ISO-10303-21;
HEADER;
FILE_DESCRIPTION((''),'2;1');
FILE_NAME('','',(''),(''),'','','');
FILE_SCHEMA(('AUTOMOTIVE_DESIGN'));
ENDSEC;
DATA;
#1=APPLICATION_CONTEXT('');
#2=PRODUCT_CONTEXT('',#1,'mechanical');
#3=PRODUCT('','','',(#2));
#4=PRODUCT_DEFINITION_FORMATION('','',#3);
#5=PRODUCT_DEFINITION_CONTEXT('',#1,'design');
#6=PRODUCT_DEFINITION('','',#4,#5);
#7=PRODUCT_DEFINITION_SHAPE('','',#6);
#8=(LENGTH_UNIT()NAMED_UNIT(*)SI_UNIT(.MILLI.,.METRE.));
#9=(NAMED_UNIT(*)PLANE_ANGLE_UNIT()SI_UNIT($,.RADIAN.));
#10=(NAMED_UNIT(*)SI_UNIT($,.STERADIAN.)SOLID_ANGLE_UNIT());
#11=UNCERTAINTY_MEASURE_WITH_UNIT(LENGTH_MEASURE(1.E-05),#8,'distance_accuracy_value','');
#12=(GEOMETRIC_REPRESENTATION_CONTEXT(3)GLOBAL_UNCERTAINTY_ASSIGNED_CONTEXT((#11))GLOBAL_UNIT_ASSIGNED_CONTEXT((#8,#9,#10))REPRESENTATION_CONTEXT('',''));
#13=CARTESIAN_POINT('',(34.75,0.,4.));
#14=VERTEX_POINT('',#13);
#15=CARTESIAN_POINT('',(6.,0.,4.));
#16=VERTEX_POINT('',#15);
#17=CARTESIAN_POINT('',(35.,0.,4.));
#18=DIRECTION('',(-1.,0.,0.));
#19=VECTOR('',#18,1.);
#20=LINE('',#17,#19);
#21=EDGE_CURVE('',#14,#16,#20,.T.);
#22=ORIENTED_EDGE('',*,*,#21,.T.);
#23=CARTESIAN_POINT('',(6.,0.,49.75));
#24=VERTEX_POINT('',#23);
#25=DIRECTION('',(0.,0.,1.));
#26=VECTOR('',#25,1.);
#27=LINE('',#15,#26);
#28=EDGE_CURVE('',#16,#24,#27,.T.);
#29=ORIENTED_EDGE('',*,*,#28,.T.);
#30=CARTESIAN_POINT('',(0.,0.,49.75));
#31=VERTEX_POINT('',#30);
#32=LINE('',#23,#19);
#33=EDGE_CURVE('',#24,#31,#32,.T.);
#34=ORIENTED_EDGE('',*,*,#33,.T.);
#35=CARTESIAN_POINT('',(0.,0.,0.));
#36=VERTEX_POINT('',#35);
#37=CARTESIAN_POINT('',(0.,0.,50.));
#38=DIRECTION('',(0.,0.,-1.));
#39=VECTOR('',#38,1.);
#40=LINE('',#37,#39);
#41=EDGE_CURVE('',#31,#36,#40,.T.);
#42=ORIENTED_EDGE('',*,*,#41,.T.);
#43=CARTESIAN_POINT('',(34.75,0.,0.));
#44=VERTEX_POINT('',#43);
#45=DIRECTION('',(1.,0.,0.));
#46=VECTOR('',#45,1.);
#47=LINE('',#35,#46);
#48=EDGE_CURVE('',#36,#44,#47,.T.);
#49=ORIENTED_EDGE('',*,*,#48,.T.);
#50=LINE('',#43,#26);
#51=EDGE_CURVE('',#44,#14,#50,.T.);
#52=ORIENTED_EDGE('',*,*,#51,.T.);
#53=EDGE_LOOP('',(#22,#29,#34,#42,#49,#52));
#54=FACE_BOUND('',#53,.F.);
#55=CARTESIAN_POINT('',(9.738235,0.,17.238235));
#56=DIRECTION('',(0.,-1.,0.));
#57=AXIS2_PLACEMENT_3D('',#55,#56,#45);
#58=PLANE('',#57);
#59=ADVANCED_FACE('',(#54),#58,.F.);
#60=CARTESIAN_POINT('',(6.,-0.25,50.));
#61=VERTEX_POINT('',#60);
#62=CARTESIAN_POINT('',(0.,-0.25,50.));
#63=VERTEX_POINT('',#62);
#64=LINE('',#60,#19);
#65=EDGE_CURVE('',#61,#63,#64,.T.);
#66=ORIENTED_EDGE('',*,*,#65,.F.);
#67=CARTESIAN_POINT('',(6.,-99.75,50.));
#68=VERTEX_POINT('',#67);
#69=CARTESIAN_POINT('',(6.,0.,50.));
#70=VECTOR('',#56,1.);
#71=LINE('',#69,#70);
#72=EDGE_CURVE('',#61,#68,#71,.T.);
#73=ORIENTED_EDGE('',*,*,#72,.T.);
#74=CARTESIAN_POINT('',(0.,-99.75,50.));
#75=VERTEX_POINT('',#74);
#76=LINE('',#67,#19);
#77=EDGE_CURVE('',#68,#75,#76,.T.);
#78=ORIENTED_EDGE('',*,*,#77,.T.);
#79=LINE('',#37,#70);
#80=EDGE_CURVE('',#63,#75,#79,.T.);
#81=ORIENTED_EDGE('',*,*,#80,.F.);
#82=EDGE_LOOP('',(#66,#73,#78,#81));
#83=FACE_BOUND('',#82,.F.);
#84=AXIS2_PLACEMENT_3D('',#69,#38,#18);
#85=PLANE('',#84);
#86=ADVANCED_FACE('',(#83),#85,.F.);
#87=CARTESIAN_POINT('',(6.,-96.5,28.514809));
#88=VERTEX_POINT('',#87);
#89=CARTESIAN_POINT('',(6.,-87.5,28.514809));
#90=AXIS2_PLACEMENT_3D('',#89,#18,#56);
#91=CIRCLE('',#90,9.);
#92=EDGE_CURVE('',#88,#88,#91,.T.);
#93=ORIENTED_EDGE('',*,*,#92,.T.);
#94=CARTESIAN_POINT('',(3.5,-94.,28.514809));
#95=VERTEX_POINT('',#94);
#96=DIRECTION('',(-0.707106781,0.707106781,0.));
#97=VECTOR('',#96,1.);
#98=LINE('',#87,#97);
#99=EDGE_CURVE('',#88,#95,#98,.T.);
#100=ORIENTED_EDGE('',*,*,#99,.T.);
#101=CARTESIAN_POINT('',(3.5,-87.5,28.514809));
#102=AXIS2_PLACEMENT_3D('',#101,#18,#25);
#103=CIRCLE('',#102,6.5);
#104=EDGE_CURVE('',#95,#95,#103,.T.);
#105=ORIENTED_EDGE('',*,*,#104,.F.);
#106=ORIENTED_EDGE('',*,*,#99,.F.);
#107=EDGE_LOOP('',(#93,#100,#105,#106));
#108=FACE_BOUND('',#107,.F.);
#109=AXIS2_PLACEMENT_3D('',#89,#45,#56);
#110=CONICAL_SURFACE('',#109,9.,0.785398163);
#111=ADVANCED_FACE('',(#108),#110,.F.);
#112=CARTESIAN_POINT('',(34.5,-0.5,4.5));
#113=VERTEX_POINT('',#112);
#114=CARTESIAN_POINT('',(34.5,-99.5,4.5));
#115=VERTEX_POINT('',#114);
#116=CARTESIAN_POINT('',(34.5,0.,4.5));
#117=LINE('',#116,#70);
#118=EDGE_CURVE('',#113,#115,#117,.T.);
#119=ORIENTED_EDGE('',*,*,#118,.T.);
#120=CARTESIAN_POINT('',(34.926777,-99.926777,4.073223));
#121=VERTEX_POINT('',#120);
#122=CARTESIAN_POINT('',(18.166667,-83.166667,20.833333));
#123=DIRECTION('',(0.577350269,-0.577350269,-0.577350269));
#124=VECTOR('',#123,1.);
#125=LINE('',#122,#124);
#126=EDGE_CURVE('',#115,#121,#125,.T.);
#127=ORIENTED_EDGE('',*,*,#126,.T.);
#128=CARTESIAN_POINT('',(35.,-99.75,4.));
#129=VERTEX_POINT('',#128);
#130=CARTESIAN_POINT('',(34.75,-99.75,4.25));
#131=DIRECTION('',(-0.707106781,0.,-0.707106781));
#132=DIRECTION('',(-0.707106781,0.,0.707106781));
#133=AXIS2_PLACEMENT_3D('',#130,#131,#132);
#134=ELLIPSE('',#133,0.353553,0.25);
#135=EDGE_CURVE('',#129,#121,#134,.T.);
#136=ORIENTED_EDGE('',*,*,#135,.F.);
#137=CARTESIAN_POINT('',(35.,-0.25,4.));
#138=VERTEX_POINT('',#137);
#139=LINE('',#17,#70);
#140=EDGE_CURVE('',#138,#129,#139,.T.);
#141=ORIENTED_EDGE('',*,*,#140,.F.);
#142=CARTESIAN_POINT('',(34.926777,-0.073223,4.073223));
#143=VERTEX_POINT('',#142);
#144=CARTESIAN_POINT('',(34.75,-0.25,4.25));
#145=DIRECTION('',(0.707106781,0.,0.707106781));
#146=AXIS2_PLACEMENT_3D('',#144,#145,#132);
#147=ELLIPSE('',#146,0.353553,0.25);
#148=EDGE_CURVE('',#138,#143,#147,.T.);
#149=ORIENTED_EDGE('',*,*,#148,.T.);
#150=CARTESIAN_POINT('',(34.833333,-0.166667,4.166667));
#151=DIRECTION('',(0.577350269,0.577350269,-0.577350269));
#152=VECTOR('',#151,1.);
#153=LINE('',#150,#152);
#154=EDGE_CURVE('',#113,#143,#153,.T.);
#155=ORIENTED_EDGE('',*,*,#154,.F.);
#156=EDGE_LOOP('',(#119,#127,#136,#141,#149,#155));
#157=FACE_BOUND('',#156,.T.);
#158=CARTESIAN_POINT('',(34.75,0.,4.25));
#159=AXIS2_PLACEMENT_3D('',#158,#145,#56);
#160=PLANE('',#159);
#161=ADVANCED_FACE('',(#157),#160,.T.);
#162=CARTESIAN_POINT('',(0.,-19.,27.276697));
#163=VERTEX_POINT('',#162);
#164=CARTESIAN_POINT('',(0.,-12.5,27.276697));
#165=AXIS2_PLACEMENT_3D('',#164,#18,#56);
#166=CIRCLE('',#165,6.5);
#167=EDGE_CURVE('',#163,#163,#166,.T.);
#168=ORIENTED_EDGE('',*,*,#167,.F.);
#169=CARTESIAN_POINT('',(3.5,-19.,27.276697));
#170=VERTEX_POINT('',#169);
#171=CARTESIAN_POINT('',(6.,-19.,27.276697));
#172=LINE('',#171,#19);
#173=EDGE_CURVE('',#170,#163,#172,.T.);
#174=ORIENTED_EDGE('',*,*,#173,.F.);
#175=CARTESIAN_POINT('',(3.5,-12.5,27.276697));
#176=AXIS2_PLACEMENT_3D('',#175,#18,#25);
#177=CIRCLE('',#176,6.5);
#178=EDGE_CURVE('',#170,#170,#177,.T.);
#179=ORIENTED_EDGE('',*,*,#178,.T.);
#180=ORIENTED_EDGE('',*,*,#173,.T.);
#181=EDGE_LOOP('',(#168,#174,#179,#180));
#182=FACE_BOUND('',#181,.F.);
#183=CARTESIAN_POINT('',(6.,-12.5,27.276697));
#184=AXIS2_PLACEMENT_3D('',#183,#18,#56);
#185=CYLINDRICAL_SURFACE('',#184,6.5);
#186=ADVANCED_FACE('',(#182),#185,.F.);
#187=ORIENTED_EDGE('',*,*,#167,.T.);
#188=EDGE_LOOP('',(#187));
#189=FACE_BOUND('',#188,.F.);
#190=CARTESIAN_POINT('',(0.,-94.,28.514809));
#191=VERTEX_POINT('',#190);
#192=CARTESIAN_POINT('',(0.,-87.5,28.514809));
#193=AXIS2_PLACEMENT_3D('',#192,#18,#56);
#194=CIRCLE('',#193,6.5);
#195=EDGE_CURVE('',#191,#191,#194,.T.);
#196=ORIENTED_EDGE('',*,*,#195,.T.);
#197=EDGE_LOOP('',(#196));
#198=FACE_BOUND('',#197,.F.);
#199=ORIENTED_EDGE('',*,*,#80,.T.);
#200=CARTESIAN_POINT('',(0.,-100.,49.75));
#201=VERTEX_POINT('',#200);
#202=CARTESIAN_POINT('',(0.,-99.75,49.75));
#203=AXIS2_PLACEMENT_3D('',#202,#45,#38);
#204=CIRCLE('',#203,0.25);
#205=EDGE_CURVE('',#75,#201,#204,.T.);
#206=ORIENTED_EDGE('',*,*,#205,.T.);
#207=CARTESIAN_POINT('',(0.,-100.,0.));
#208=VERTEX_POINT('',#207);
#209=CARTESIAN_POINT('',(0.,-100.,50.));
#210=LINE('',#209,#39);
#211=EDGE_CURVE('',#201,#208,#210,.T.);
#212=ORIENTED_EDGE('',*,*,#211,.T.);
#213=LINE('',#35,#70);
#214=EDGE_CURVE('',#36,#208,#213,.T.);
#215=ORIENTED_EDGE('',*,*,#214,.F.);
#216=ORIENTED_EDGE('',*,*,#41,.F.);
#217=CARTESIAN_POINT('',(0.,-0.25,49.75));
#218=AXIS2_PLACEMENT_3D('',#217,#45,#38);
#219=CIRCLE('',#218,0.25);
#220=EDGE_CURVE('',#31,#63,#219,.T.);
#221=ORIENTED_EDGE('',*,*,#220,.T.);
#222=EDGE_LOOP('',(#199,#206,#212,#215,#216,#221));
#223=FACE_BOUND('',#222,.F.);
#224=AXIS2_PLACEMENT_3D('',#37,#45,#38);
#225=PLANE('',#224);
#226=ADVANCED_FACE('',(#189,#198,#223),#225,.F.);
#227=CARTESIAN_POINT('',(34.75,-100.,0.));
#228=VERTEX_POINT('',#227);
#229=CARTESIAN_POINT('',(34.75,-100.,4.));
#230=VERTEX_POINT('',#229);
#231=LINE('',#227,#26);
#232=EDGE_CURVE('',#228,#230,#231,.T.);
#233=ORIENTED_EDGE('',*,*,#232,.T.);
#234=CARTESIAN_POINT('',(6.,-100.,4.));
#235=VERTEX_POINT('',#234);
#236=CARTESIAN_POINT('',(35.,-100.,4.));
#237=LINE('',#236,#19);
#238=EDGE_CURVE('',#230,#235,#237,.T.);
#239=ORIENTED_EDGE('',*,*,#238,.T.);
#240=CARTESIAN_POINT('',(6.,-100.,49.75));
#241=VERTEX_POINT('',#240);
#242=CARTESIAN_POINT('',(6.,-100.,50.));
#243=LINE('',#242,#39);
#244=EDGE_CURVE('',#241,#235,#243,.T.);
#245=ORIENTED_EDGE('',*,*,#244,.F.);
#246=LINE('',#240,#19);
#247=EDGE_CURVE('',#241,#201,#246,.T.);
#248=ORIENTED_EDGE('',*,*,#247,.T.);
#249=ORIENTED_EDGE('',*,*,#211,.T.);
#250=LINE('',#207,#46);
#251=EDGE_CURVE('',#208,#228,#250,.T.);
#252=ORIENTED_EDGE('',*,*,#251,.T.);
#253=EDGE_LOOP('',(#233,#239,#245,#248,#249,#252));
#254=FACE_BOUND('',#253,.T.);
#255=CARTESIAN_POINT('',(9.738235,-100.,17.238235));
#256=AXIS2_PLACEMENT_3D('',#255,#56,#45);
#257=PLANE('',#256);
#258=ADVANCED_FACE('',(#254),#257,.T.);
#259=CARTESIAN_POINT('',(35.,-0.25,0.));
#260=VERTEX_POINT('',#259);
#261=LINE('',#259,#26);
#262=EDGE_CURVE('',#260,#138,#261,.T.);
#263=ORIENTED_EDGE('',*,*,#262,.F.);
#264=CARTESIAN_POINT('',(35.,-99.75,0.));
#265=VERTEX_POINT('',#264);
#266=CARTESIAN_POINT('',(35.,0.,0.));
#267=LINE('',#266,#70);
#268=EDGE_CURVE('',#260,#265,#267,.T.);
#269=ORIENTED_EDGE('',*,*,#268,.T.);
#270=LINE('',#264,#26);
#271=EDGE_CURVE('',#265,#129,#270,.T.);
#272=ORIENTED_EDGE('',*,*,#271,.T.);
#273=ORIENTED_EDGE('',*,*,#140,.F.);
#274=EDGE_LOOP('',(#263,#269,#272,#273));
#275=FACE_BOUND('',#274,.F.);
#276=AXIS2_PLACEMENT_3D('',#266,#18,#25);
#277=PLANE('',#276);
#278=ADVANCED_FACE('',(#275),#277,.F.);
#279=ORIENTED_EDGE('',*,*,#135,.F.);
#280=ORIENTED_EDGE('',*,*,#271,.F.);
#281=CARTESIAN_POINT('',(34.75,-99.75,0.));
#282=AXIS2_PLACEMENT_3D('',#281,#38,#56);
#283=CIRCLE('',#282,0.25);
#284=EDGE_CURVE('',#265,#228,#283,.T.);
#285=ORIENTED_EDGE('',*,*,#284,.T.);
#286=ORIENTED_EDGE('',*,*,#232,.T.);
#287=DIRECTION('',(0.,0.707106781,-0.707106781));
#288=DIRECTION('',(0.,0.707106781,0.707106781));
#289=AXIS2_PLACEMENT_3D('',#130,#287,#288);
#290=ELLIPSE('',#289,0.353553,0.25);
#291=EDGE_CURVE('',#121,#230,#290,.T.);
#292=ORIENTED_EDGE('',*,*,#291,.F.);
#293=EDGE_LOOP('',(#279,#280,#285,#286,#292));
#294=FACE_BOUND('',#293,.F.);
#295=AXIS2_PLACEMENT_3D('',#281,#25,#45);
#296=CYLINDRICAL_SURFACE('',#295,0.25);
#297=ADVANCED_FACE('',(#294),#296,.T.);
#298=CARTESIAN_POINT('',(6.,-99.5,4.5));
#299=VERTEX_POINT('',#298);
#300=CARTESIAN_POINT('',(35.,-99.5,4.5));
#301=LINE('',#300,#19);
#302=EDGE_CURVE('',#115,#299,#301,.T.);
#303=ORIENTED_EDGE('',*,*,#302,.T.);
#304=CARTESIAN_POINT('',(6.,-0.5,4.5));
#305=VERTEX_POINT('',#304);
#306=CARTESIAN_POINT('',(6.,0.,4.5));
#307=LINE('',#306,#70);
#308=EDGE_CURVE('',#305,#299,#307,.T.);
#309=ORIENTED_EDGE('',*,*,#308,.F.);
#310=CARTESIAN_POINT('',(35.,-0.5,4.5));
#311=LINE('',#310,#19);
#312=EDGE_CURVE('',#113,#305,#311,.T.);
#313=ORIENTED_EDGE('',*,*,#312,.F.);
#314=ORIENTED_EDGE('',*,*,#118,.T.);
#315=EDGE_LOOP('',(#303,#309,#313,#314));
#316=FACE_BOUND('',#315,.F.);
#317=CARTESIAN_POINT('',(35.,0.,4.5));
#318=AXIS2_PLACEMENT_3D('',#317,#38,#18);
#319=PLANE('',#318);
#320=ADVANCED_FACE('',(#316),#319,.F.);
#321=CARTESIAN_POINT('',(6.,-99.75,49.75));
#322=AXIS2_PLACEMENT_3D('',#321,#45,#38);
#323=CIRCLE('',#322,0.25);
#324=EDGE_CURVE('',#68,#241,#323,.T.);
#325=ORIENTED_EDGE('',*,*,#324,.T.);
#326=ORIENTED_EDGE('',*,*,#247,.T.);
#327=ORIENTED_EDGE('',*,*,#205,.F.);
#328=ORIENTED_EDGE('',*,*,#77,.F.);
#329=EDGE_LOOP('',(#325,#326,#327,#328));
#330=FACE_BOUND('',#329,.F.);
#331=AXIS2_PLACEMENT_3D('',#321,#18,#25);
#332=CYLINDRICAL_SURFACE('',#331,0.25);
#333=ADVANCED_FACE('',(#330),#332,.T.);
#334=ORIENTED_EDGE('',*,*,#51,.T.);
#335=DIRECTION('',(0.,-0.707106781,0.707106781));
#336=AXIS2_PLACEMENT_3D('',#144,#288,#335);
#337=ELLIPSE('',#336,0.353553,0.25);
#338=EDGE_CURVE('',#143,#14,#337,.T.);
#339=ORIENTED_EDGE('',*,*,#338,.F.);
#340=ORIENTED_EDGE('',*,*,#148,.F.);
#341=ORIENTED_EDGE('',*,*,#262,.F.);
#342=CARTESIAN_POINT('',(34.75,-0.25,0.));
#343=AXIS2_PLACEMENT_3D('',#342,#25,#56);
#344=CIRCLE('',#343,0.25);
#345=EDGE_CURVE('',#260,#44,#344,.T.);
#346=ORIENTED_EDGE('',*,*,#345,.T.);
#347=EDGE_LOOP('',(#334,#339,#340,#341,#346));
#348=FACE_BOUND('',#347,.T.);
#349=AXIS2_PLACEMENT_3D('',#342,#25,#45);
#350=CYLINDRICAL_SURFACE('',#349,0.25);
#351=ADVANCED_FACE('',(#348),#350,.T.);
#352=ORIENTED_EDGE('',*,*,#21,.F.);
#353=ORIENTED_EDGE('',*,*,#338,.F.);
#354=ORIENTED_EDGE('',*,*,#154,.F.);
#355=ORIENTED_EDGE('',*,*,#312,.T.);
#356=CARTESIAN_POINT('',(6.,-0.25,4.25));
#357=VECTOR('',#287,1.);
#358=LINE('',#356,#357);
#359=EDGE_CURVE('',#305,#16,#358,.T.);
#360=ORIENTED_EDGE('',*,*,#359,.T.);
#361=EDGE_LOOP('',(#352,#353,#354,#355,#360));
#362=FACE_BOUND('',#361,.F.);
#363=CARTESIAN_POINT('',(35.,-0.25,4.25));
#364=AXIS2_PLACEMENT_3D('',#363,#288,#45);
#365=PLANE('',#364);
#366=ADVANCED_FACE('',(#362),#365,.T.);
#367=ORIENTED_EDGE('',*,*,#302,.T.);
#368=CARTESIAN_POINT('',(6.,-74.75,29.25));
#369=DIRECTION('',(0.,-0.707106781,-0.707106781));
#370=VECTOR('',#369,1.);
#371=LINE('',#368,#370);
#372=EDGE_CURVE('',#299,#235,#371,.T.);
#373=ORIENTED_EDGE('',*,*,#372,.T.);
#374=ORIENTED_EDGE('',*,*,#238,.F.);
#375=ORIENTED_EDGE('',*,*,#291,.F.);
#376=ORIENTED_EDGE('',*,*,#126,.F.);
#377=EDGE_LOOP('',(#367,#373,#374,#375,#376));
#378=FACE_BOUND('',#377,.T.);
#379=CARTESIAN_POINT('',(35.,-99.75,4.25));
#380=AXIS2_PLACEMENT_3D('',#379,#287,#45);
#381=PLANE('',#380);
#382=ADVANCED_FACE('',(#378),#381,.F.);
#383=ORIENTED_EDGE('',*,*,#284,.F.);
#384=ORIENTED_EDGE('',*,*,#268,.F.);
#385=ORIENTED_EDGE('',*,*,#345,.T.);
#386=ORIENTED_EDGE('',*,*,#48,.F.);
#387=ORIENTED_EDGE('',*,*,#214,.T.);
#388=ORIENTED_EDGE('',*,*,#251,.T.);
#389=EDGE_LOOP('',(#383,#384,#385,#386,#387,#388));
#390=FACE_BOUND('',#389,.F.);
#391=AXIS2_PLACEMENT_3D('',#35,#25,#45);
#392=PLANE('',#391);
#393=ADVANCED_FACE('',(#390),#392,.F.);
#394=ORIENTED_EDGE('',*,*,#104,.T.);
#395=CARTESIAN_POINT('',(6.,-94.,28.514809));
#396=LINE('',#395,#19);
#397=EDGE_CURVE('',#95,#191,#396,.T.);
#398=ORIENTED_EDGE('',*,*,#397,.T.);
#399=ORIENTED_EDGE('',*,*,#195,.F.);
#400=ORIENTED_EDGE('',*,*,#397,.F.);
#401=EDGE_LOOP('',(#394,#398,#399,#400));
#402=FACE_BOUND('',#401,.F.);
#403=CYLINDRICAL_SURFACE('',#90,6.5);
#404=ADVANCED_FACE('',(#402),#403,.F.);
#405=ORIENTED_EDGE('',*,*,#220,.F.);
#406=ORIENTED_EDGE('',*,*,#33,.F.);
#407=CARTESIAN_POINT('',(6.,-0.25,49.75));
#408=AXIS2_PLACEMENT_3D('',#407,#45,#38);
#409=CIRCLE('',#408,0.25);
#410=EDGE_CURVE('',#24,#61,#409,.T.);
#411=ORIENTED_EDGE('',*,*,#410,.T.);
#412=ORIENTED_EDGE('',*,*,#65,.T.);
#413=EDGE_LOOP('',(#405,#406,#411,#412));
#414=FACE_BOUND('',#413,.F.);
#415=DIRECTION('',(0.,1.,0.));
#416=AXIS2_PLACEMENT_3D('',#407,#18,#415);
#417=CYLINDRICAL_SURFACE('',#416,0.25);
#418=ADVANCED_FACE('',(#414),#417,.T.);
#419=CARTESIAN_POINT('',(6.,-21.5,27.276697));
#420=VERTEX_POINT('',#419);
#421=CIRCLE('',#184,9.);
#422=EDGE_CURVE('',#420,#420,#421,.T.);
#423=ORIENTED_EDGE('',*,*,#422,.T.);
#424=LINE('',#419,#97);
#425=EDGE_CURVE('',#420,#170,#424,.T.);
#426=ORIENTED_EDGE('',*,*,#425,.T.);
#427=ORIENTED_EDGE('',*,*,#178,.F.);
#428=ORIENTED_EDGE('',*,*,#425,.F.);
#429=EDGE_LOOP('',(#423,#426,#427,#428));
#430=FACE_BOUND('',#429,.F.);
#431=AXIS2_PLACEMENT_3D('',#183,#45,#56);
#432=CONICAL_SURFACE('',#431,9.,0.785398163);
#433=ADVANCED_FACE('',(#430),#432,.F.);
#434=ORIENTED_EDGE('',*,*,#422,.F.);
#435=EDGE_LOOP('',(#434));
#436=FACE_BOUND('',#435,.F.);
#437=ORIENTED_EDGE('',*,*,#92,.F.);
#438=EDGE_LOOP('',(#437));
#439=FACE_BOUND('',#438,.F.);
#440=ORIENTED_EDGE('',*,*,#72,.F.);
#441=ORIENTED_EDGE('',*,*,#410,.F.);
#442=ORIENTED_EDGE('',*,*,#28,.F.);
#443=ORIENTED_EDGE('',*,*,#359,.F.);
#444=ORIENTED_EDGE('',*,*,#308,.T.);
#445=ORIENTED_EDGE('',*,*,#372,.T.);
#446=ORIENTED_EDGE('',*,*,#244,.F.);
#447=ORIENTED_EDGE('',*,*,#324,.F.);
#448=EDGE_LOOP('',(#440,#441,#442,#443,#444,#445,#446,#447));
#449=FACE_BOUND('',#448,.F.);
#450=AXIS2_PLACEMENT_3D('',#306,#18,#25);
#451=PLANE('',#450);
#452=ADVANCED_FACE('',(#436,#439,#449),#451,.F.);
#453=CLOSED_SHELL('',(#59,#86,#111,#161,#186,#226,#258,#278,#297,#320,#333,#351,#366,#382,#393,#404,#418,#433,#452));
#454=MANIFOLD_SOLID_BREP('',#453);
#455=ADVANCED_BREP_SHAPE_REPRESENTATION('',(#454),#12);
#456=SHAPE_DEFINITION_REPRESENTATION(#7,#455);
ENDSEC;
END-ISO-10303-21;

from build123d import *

# Parameters (mm, degrees)
F1_DEPTH       = 100
F3_D           = 13
F3_DEPTH       = 10
F3_CSINK_D     = 18
F3_CSINK_ANGLE = 90
F4_SIZE        = 0.5
F5_R           = 0.25


with BuildPart() as f1:
    # F0 (on Front) → F1 (new body)
    with BuildSketch(Plane.XZ):
        Polygon((0, 50), (0, 0), (35, 0), (35, 4.5), (6, 4.5), (6, 50), align=None)
    extrude(amount=F1_DEPTH)

    # F3
    with Locations(Plane.YZ.offset(6)):
        with Locations((-87.5, 28.514809), (-12.5, 27.276697)):
            CounterSinkHole(F3_D / 2, F3_CSINK_D / 2, depth=F3_DEPTH, counter_sink_angle=F3_CSINK_ANGLE)

    # F4
    f4_edges = [f1.edges().sort_by_distance(p)[0] for p in [
        (20.5, -100, 4.5),
        (35, -50, 4.5),
        (20.5, 0, 4.5),
    ]]
    chamfer(f4_edges, length=F4_SIZE)

    # F5
    f5_edges = [f1.edges().sort_by_distance(p)[0] for p in [
        (3, -100, 50),
        (3, 0, 50),
        (35, -100, 2),
        (35, 0, 2),
    ]]
    fillet(f5_edges, radius=F5_R)


solid = f1.part
